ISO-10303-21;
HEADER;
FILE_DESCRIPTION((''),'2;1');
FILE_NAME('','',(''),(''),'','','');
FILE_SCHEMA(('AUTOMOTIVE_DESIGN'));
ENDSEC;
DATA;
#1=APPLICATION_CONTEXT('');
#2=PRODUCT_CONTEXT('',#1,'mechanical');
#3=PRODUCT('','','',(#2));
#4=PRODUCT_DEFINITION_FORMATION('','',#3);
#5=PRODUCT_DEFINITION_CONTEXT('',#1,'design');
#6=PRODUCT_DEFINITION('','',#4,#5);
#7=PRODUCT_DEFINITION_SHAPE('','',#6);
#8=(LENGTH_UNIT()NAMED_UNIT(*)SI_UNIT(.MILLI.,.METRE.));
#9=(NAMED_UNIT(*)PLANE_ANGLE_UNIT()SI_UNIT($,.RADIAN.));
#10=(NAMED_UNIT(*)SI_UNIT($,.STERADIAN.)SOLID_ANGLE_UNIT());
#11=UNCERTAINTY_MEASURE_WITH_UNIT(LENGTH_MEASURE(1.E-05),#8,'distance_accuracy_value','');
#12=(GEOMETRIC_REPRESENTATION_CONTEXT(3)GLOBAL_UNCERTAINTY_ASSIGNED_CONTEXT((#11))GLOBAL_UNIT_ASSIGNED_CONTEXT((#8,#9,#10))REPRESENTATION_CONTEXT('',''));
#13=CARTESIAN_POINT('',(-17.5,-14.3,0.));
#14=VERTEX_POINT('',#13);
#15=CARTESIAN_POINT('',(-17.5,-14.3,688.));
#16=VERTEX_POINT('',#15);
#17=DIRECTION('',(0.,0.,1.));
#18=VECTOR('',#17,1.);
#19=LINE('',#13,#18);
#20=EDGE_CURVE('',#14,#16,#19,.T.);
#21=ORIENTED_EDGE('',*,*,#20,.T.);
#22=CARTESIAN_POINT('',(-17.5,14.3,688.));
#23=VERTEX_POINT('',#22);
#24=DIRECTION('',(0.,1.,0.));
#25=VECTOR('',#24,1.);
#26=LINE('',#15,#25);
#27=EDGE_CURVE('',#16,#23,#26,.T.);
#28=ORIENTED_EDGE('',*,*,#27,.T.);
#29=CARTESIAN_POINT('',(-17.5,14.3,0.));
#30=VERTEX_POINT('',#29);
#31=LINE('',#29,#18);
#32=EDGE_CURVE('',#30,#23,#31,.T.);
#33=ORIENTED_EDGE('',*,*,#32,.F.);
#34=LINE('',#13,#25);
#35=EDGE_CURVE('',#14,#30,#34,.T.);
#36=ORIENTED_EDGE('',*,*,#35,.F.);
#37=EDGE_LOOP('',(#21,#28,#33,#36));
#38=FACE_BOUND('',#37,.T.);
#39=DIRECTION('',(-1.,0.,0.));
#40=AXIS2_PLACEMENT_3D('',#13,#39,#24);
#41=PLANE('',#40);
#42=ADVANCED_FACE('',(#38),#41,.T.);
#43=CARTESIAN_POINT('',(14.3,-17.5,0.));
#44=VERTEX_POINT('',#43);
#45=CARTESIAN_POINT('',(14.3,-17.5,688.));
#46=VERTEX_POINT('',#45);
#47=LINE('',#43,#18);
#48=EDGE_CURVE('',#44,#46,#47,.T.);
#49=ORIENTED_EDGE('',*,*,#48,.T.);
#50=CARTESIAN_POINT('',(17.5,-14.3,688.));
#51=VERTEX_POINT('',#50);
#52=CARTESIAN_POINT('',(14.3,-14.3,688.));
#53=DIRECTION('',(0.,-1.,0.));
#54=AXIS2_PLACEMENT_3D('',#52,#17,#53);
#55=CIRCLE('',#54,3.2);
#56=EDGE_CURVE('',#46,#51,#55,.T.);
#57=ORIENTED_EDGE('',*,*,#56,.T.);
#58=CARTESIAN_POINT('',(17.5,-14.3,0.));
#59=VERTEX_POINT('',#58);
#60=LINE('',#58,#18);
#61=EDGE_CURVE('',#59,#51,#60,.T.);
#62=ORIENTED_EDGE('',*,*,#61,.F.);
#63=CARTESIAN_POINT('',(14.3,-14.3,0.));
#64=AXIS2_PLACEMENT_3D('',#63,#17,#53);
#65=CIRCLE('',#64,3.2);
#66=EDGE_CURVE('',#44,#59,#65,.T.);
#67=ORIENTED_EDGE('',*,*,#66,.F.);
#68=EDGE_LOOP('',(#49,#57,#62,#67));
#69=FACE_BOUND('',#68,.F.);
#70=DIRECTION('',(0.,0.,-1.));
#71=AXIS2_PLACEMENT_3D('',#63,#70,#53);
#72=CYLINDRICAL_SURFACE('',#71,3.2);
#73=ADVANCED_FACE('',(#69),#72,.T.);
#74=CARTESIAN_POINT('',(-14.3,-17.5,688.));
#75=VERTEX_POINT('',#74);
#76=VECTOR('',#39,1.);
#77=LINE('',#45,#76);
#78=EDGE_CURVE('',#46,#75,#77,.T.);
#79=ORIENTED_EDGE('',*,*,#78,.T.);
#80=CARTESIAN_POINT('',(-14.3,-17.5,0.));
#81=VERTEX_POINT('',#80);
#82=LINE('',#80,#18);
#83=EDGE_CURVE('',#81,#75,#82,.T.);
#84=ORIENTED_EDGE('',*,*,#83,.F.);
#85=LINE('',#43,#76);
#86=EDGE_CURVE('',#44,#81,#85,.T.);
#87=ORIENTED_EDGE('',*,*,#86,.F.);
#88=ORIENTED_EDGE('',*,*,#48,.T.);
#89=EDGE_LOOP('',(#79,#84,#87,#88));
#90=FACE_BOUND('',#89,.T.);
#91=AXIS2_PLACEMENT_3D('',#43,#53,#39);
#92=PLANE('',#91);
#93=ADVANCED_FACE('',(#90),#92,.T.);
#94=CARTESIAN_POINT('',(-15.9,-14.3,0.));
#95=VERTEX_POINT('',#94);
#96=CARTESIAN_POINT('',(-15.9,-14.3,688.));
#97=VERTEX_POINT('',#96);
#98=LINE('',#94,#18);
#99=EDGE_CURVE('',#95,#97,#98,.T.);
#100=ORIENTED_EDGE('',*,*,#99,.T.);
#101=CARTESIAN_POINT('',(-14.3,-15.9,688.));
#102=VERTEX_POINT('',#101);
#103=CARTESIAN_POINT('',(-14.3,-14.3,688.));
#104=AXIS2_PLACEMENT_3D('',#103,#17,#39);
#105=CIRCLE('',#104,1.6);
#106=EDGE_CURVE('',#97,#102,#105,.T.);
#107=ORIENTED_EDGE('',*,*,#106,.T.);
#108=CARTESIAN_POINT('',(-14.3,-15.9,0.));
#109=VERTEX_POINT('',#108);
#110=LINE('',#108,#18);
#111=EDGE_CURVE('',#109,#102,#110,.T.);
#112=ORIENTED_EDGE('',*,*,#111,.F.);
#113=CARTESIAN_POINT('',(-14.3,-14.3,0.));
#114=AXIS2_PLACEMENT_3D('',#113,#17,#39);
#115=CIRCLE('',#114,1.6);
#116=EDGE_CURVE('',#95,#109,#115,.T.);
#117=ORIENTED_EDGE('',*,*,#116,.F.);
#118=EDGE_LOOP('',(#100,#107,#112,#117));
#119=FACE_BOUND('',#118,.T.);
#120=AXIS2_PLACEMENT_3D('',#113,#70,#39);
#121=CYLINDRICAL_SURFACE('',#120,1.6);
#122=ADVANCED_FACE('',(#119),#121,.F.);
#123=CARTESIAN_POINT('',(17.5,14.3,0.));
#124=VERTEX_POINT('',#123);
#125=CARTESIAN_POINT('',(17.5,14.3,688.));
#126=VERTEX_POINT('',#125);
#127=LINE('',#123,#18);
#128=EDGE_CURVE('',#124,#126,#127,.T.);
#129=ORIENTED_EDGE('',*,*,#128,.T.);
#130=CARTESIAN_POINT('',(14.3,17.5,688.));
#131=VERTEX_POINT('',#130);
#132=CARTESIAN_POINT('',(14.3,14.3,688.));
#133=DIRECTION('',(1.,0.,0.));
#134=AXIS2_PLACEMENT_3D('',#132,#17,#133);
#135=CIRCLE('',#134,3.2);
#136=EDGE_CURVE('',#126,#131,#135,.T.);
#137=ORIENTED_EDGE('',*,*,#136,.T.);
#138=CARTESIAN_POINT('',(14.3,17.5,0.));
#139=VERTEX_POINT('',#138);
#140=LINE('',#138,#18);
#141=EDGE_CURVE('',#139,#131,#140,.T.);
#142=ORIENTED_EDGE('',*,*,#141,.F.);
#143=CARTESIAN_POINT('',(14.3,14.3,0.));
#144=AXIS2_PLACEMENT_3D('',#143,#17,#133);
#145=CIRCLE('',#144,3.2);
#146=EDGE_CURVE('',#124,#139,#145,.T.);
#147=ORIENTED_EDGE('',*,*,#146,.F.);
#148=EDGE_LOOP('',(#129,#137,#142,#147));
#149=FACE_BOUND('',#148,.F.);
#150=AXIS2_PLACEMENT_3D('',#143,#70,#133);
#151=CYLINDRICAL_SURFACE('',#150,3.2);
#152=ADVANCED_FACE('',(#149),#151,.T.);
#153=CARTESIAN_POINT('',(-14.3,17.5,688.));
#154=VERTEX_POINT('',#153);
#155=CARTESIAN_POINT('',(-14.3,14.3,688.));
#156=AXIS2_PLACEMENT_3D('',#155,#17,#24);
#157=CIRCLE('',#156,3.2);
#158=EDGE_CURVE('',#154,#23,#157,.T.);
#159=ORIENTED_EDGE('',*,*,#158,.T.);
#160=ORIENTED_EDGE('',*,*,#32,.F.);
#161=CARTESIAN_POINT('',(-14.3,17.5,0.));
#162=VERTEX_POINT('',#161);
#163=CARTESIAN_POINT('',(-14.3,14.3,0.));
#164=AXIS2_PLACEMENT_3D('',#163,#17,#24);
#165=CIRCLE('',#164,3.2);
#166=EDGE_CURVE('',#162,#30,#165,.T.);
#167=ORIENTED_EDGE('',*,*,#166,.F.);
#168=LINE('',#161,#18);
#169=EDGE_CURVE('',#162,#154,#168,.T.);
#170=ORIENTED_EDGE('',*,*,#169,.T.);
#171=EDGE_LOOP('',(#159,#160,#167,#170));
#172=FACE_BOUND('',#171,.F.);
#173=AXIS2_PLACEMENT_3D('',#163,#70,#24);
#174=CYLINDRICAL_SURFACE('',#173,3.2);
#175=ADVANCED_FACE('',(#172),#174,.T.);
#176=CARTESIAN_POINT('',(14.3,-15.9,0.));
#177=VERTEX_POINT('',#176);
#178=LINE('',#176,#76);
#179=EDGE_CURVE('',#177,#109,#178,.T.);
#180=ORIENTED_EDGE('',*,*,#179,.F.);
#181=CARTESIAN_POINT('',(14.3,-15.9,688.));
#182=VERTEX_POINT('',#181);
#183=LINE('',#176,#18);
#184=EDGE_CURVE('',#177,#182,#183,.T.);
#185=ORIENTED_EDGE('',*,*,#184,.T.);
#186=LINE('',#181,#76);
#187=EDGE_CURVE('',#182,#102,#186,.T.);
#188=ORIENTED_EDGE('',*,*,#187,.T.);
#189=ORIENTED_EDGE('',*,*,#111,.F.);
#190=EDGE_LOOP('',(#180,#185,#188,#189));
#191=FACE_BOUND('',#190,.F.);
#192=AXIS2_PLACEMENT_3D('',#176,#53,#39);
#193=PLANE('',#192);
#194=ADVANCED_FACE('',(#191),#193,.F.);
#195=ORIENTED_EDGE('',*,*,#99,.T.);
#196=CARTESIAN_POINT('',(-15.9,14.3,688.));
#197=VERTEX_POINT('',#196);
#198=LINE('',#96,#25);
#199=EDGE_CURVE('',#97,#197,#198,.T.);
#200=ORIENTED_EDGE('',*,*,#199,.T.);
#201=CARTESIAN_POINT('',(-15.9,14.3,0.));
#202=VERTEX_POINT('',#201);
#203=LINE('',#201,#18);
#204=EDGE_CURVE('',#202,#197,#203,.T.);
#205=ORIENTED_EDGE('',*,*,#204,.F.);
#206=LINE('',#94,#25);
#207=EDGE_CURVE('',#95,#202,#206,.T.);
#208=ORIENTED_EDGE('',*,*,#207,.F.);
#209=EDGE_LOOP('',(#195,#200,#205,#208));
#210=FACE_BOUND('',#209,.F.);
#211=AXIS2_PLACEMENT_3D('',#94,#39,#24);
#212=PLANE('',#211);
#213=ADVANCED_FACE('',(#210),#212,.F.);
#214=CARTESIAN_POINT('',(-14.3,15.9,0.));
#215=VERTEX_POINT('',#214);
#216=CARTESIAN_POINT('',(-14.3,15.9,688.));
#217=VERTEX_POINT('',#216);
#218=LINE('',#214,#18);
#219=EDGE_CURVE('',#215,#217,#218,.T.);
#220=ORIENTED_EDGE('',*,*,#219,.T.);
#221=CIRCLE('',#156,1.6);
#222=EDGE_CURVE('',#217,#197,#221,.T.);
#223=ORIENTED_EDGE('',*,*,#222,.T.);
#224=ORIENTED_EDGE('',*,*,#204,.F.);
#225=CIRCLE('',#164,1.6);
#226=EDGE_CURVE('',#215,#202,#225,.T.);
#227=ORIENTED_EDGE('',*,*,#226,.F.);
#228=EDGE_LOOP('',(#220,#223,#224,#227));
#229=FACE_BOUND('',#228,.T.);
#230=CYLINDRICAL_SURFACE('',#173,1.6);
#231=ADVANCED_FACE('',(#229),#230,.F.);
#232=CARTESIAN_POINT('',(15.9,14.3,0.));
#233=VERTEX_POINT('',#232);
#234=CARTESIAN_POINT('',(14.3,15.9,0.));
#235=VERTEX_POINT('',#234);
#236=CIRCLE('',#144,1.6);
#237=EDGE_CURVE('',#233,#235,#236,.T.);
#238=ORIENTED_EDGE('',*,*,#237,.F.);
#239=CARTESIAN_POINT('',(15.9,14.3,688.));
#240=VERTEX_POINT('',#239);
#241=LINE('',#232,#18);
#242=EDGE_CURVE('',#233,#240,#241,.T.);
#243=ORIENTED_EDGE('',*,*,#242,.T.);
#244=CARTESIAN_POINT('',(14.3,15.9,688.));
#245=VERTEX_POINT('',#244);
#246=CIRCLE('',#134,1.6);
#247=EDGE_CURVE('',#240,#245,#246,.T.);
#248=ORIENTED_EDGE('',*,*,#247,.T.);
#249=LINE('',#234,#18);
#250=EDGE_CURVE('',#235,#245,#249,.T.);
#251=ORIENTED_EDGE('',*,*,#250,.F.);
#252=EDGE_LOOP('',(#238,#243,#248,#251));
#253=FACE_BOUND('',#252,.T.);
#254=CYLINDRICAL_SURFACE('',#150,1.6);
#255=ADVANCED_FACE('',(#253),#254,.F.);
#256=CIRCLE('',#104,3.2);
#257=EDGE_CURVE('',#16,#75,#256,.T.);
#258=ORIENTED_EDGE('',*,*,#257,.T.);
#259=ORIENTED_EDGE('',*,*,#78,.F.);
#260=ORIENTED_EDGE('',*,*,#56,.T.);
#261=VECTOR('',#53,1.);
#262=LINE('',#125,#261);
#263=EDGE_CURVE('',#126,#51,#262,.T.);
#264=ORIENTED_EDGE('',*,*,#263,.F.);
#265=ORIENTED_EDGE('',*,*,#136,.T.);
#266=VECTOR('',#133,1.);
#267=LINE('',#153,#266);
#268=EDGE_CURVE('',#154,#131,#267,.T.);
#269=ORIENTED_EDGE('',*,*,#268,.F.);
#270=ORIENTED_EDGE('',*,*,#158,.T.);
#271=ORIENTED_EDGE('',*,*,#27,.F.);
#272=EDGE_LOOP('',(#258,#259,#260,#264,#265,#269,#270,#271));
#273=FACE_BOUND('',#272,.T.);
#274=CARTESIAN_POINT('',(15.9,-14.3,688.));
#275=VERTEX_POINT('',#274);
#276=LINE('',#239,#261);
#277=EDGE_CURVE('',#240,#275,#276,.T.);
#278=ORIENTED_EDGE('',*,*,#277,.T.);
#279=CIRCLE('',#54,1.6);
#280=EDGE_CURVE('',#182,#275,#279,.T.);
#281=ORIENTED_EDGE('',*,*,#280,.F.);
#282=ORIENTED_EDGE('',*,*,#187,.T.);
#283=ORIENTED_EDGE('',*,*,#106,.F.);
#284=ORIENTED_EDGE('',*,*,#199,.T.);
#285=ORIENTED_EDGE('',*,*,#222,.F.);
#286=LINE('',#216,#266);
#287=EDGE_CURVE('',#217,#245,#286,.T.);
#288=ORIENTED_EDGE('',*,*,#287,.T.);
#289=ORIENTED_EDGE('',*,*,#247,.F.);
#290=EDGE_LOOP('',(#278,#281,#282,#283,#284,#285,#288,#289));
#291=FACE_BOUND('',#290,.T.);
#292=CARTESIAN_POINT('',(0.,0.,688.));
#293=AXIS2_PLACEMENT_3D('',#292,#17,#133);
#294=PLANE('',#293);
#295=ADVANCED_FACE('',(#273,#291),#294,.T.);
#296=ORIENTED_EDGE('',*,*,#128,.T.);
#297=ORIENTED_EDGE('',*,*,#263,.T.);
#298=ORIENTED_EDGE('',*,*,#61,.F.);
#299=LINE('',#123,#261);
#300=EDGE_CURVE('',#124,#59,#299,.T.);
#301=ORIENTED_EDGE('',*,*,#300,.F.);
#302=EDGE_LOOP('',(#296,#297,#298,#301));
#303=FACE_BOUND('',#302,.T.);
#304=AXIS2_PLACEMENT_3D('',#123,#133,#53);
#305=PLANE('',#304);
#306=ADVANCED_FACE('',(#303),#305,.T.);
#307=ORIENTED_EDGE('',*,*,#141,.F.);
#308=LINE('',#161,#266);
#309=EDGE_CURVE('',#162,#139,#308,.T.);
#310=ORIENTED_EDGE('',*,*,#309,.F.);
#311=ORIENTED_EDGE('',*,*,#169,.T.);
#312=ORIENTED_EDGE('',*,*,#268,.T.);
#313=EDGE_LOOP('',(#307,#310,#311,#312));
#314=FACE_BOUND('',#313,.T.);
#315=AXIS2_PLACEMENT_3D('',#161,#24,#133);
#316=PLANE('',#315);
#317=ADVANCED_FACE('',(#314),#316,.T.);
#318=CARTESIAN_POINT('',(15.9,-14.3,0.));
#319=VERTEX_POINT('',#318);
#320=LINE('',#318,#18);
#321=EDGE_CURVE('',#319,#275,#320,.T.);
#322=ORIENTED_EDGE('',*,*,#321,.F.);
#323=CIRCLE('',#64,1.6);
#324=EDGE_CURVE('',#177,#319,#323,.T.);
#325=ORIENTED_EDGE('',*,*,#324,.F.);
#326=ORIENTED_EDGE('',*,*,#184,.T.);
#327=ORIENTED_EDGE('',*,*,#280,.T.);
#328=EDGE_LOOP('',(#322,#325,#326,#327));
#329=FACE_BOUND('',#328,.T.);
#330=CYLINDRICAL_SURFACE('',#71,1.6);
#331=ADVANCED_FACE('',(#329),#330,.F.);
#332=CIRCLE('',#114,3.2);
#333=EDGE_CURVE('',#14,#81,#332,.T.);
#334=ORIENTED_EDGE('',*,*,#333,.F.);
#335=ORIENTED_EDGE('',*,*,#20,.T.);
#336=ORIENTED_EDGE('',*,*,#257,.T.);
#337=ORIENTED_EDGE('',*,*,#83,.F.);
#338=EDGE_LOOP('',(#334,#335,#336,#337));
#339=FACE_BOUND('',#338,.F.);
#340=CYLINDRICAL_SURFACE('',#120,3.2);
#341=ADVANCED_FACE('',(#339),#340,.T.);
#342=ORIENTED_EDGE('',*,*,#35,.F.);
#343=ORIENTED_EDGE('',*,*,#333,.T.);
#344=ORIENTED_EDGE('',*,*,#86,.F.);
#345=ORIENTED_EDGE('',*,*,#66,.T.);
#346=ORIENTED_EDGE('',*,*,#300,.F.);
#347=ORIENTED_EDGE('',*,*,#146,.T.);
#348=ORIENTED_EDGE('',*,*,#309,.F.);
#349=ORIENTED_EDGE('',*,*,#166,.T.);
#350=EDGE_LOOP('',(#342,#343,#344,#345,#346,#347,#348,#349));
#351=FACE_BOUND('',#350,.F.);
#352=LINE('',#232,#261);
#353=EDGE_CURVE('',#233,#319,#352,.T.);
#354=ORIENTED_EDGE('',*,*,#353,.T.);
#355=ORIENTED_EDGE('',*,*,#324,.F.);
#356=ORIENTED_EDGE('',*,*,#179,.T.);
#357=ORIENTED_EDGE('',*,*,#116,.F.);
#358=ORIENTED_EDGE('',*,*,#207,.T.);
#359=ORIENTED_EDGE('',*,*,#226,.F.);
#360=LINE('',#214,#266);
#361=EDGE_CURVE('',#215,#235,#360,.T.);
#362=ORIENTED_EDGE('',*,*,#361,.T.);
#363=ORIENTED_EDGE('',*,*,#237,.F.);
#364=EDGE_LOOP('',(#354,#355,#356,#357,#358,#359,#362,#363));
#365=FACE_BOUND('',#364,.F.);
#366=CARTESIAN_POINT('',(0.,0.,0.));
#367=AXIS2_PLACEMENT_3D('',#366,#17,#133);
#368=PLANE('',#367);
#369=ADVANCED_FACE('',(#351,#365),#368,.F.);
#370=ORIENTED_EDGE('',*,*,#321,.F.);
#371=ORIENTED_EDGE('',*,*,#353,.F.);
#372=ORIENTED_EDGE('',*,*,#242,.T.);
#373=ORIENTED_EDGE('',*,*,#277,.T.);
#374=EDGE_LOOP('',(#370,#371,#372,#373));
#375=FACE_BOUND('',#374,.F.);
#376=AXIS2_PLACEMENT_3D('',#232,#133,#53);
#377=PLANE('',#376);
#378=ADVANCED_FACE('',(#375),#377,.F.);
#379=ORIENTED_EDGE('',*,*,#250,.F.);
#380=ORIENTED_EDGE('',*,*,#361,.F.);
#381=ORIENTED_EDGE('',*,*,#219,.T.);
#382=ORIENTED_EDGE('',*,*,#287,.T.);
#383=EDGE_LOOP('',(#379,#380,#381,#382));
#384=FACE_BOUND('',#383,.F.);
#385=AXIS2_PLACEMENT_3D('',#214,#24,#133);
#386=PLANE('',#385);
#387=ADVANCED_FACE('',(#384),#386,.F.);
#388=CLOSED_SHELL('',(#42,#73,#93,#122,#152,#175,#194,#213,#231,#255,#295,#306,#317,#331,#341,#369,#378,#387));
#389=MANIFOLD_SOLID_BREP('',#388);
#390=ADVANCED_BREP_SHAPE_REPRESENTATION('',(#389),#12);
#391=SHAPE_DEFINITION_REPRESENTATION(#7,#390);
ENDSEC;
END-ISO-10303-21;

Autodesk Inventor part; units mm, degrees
ref_plane "YZ Plane" through (0, 0, 0) normal (1, 0, 0) x (0, 1, 0)
ref_plane "Start plane" through (0, 0, 0) normal (0, 0, 1) x (1, 0, 0)
ref_plane "End plane" through (0, 0, 688) normal (0, 0, 1) x (1, 0, 0)
sketch "Sketch" plane through (0, 0, 0) normal (0, 0, 1) x (1, 0, 0)
  line L0 (-17.5, -14.3) -> (-17.5, 14.3)
  line L1 (-14.3, 17.5) -> (14.3, 17.5)
  line L2 (17.5, 14.3) -> (17.5, -14.3)
  line L3 (14.3, -17.5) -> (-14.3, -17.5)
  arc A0 (-17.5, -14.3) -> (-14.3, -17.5) centre (-14.3, -14.3) ccw
  arc A1 (-14.3, 17.5) -> (-17.5, 14.3) centre (-14.3, 14.3) ccw
  arc A2 (17.5, 14.3) -> (14.3, 17.5) centre (14.3, 14.3) ccw
  arc A3 (14.3, -17.5) -> (17.5, -14.3) centre (14.3, -14.3) ccw
  arc A4 (-14.3, 15.9) -> (-15.9, 14.3) centre (-14.3, 14.3) ccw
  line L4 (-14.3, 15.9) -> (14.3, 15.9)
  arc A5 (15.9, 14.3) -> (14.3, 15.9) centre (14.3, 14.3) ccw
  line L5 (15.9, 14.3) -> (15.9, -14.3)
  arc A6 (14.3, -15.9) -> (15.9, -14.3) centre (14.3, -14.3) ccw
  line L6 (14.3, -15.9) -> (-14.3, -15.9)
  arc A7 (-15.9, -14.3) -> (-14.3, -15.9) centre (-14.3, -14.3) ccw
  line L7 (-15.9, -14.3) -> (-15.9, 14.3)
  line L8 (0, 25.4278) -> (0, -25.4278) construction
  line L9 (-25.4278, 0) -> (25.4278, 0) construction
  dimension "d7" = 3.2
  dimension "d10" = 35
  dimension "d11" = 35
  dimension "d12" = 1.6
  dimension "d15" = 17.5
  dimension "d16" = 17.5
extrude "Body" add sketch "Sketch" along normal up to surface (688 mm away) from surface at 0
sketch "Sketch3" plane through (0, 0, 0) normal (0, 0, 1) x (1, 0, 0)
  line L0 (0, 0) -> (10, 0)
ref_plane "Work Plane3" through (0, 0, 0) normal (0, -1, 0) x (1, 0, 0)
sketch "Sketch4" plane through (0, 0, 0) normal (0, -1, 0) x (1, 0, 0)
  line L0 (-2, 0) -> (12, 0)
  line L1 (-2, 688) -> (12, 688)
  dimension "d18" = 688
equation "\"d7\" = G_IR"
equation "\"d10\" = G_H"
equation "\"d11\" = G_W"
equation "\"d12\" = G_T"
equation "\"d15\" = 0.5 * d10"
equation "\"d16\" = 0.5 * d11"
equation "\"d3\" = G_L"
equation "\"G_W\" = 35"
equation "\"G_H\" = 35"
equation "\"G_T\" = 1.6"
equation "\"G_IR\" = 3.2"
equation "\"G_L\" = d18"
equation "\"G_OFFSET_START\" = 0"
equation "\"G_OFFSET_END\" = 0"
equation "\"d14\" = G_OFFSET_END + B_L"
equation "\"B_L\" = 688"
properties part number "AS 1163 - C350L0 35x35x1.6 SHS - 688" material "Steel, Mild"
